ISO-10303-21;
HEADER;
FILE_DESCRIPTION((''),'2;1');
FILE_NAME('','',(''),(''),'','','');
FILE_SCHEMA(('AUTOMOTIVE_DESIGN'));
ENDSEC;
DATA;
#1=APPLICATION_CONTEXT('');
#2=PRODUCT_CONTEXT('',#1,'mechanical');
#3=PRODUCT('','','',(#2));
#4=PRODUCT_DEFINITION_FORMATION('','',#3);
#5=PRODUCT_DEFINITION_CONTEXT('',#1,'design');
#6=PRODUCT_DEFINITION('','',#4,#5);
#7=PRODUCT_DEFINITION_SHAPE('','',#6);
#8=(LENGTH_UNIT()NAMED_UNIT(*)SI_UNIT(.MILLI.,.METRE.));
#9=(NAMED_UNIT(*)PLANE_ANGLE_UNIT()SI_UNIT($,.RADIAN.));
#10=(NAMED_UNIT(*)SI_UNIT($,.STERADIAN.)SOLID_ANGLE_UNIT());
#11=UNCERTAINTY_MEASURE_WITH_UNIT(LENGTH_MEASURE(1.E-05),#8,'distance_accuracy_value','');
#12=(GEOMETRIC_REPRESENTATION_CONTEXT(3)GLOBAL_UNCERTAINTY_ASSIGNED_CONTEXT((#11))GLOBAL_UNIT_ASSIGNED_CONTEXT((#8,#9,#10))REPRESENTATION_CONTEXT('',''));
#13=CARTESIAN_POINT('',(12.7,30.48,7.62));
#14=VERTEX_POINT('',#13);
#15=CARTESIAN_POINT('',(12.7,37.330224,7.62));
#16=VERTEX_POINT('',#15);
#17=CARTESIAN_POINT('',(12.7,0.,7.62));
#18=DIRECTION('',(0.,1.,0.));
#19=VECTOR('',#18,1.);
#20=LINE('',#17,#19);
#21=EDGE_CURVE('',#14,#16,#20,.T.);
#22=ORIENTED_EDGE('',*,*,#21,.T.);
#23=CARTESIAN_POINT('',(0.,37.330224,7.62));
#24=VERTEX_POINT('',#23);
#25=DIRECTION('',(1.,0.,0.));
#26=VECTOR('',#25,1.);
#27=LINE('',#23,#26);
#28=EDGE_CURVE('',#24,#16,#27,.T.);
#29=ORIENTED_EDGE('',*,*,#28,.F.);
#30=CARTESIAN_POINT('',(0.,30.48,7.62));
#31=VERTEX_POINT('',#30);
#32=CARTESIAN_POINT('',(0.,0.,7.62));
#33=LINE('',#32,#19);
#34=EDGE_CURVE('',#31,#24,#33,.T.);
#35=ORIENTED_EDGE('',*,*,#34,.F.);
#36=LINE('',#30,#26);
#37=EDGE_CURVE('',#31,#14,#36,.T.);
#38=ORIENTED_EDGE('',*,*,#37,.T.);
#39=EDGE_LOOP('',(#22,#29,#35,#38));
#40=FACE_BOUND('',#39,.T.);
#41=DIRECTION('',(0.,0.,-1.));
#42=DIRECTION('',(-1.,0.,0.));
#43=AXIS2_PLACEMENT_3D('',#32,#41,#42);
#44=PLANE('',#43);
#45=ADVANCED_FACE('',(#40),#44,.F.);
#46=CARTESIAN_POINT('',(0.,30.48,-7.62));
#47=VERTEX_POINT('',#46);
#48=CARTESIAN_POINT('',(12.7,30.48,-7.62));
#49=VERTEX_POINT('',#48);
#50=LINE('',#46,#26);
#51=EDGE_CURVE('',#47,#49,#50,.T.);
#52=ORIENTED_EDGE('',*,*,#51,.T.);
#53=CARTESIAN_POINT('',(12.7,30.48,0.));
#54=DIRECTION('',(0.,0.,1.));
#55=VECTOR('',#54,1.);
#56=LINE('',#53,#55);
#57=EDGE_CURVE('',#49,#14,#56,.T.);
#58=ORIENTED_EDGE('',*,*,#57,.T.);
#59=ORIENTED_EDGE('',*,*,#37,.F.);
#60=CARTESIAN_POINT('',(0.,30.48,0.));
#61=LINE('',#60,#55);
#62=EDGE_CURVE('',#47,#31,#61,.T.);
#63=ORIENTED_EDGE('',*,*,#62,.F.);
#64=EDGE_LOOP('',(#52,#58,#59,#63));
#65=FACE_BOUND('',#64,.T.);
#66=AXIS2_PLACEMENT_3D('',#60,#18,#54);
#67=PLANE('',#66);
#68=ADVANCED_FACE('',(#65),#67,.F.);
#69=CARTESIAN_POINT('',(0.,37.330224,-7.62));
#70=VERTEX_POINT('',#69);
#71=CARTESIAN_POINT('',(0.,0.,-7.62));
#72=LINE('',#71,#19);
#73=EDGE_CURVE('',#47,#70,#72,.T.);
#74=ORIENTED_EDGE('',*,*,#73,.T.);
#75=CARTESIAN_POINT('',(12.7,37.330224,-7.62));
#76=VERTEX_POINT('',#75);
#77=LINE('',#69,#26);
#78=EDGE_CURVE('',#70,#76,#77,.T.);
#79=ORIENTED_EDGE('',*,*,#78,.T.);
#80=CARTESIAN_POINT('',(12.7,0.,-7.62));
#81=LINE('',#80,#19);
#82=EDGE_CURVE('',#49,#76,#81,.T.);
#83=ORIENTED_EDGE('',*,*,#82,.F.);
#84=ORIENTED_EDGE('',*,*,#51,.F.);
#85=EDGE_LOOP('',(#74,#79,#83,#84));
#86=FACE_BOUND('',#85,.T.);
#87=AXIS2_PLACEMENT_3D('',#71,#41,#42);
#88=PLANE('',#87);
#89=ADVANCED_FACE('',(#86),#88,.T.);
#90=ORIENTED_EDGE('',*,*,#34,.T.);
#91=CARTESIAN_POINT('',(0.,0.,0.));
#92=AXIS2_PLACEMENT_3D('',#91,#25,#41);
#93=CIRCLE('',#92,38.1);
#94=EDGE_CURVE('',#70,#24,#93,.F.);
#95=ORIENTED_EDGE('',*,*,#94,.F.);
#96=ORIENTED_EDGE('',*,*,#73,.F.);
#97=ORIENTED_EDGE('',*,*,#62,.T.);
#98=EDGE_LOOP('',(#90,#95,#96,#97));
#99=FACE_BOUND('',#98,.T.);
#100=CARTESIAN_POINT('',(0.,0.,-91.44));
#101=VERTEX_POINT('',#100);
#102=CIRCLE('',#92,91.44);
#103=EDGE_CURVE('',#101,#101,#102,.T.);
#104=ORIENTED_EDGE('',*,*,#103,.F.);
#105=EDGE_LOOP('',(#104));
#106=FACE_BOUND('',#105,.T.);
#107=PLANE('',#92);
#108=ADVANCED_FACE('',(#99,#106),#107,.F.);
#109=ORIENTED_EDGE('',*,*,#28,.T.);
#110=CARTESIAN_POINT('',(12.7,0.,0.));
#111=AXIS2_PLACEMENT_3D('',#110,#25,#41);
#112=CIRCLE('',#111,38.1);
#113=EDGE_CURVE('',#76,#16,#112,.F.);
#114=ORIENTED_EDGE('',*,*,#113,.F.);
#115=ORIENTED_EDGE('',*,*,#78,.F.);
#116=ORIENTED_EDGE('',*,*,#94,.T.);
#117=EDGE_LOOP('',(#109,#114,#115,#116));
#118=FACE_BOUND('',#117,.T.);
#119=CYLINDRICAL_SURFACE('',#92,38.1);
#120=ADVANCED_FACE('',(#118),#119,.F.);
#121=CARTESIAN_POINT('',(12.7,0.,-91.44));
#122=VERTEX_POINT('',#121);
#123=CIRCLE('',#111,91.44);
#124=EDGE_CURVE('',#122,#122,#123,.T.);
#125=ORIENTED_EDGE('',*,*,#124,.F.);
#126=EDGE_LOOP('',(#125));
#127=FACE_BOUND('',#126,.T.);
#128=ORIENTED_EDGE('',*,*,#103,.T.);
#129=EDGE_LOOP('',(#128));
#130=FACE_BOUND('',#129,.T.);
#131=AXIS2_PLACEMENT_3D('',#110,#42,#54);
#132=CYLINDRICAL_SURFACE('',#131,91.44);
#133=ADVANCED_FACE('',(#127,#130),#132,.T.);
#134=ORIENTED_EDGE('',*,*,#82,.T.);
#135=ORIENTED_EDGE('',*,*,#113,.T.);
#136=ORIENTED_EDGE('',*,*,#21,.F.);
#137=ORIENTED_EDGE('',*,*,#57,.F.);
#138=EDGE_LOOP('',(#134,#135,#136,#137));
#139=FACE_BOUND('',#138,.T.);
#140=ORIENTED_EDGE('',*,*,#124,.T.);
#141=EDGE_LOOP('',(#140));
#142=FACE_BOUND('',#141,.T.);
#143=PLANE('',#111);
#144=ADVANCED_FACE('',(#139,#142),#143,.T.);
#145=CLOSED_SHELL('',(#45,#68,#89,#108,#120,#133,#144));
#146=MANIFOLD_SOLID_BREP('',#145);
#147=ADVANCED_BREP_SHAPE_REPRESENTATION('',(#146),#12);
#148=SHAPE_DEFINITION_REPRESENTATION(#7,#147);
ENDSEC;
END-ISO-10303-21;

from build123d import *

# Parameters (mm, degrees)
SKETCH1_R           = 91.44
BOSS_EXTRUDE1_DEPTH = 12.7
CUT_EXTRUDE1_DEPTH  = 12.7


with BuildPart() as part:
    # Sketch1 → Boss-Extrude1 (new body)
    with BuildSketch(Plane(origin=(0, 0, 0), x_dir=(0, 0, -1), z_dir=(1, 0, 0))):
        Circle(SKETCH1_R)
    extrude(amount=BOSS_EXTRUDE1_DEPTH)

    # Sketch2 → Cut-Extrude1 (cut)
    with BuildSketch(Plane(origin=(12.7, 0, 0), x_dir=(0, 0, -1), z_dir=(1, 0, 0))):
        with BuildLine():
            Line((7.62, 37.33022368), (7.62, 30.48))
            Line((7.62, 30.48), (-7.62, 30.48))
            Line((-7.62, 30.48), (-7.62, 37.33022368))
            ThreePointArc((-7.62, 37.33022368), (0, -38.1), (7.62, 37.33022368))
        make_face()
    extrude(amount=-CUT_EXTRUDE1_DEPTH, mode=Mode.SUBTRACT)


solid = part.part
